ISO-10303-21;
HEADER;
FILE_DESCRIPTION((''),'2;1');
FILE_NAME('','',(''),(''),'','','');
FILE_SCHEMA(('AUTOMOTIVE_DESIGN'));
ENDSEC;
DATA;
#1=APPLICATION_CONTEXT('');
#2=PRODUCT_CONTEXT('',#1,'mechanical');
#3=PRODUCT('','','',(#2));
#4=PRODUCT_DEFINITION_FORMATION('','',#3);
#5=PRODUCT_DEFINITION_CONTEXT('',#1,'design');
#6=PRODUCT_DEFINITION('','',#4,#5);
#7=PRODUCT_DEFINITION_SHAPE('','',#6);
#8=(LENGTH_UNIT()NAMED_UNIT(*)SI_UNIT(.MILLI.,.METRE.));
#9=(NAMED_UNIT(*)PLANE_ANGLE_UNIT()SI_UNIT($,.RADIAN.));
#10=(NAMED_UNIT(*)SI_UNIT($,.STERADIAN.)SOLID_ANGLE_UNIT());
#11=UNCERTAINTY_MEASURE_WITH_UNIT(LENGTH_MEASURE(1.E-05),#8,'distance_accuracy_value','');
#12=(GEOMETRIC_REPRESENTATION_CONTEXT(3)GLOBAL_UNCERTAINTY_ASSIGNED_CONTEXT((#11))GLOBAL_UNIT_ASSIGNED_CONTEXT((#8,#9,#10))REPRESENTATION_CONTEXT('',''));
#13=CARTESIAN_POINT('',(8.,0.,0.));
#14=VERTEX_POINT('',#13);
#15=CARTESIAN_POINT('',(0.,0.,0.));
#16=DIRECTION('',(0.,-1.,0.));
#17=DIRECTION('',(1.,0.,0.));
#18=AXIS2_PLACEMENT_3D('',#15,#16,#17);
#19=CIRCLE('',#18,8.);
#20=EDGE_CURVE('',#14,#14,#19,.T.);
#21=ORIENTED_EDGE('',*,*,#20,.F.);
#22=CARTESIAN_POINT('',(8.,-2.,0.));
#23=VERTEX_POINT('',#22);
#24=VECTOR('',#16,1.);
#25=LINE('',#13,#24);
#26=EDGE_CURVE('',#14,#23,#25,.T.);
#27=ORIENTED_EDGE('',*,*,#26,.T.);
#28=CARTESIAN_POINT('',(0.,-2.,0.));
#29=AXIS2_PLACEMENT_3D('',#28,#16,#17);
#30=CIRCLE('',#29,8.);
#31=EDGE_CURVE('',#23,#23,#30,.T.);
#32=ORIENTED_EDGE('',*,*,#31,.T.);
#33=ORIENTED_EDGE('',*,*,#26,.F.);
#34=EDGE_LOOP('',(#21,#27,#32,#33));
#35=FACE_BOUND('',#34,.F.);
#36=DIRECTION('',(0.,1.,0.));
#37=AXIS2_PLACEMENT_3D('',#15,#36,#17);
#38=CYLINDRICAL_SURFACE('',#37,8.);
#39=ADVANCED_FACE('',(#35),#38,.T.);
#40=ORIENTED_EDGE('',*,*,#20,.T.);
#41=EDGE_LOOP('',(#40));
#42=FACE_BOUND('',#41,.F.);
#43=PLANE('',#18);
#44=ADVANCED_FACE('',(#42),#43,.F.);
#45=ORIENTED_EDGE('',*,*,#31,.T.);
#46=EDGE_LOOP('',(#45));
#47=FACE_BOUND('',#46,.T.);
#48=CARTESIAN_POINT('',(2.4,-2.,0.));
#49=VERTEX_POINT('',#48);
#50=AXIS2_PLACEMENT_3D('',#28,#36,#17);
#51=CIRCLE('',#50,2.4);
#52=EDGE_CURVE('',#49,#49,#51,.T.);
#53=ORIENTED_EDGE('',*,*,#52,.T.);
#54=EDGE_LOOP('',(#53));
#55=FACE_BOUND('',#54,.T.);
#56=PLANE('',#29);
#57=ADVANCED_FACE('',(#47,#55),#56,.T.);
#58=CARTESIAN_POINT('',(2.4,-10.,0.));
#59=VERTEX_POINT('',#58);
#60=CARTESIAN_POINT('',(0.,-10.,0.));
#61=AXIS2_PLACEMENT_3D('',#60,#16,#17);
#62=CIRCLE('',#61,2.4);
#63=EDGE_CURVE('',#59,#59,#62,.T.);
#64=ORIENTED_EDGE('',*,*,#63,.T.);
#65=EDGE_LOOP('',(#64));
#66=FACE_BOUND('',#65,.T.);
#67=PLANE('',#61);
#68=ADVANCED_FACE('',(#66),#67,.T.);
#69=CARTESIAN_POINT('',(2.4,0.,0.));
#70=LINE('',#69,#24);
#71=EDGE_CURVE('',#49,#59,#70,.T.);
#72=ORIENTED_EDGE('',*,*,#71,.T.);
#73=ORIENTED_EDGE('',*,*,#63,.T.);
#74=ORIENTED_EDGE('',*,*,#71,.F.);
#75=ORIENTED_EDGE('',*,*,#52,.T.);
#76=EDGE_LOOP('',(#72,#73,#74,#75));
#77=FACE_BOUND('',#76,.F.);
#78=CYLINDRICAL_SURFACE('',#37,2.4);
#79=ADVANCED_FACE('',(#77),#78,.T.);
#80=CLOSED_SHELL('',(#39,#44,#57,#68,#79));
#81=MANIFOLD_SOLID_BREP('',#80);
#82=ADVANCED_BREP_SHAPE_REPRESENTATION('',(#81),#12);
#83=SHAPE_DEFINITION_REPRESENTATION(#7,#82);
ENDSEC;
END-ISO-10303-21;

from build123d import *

# Parameters (mm, degrees)
CYLINDER_R             = 2.4
CYLINDER_DEPTH         = 10
CYLINDER_ROLL_ANGLE    = 90
CYLINDER001_R          = 8
CYLINDER001_DEPTH      = 2
CYLINDER001_ROLL_ANGLE = 90


with BuildPart() as pivotstick:
    # Cylinder → Cylinder (new body)
    with BuildSketch(Plane.XY):
        Circle(CYLINDER_R)
    extrude(amount=CYLINDER_DEPTH)


with BuildPart() as pivotstick_1:
    # Cylinder roll: moved
    add(pivotstick.part.rotate(Axis((0, 0, 0), (1, 0, 0)), CYLINDER_ROLL_ANGLE))


with BuildPart() as pivotstick_2:
    # Cylinder placement: moved
    add(pivotstick_1.part)


with BuildPart() as pivot:
    # Cylinder001 → Cylinder001 (new body)
    with BuildSketch(Plane.XY):
        Circle(CYLINDER001_R)
    extrude(amount=CYLINDER001_DEPTH)


with BuildPart() as pivot_1:
    # Cylinder001 roll: moved
    add(pivot.part.rotate(Axis((0, 0, 0), (1, 0, 0)), CYLINDER001_ROLL_ANGLE))


with BuildPart() as pivot_2:
    # Cylinder001 placement: moved
    add(pivot_1.part)

    # Fusion002: union PivotStick
    add(pivotstick_2.part)


solid = pivot_2.part
